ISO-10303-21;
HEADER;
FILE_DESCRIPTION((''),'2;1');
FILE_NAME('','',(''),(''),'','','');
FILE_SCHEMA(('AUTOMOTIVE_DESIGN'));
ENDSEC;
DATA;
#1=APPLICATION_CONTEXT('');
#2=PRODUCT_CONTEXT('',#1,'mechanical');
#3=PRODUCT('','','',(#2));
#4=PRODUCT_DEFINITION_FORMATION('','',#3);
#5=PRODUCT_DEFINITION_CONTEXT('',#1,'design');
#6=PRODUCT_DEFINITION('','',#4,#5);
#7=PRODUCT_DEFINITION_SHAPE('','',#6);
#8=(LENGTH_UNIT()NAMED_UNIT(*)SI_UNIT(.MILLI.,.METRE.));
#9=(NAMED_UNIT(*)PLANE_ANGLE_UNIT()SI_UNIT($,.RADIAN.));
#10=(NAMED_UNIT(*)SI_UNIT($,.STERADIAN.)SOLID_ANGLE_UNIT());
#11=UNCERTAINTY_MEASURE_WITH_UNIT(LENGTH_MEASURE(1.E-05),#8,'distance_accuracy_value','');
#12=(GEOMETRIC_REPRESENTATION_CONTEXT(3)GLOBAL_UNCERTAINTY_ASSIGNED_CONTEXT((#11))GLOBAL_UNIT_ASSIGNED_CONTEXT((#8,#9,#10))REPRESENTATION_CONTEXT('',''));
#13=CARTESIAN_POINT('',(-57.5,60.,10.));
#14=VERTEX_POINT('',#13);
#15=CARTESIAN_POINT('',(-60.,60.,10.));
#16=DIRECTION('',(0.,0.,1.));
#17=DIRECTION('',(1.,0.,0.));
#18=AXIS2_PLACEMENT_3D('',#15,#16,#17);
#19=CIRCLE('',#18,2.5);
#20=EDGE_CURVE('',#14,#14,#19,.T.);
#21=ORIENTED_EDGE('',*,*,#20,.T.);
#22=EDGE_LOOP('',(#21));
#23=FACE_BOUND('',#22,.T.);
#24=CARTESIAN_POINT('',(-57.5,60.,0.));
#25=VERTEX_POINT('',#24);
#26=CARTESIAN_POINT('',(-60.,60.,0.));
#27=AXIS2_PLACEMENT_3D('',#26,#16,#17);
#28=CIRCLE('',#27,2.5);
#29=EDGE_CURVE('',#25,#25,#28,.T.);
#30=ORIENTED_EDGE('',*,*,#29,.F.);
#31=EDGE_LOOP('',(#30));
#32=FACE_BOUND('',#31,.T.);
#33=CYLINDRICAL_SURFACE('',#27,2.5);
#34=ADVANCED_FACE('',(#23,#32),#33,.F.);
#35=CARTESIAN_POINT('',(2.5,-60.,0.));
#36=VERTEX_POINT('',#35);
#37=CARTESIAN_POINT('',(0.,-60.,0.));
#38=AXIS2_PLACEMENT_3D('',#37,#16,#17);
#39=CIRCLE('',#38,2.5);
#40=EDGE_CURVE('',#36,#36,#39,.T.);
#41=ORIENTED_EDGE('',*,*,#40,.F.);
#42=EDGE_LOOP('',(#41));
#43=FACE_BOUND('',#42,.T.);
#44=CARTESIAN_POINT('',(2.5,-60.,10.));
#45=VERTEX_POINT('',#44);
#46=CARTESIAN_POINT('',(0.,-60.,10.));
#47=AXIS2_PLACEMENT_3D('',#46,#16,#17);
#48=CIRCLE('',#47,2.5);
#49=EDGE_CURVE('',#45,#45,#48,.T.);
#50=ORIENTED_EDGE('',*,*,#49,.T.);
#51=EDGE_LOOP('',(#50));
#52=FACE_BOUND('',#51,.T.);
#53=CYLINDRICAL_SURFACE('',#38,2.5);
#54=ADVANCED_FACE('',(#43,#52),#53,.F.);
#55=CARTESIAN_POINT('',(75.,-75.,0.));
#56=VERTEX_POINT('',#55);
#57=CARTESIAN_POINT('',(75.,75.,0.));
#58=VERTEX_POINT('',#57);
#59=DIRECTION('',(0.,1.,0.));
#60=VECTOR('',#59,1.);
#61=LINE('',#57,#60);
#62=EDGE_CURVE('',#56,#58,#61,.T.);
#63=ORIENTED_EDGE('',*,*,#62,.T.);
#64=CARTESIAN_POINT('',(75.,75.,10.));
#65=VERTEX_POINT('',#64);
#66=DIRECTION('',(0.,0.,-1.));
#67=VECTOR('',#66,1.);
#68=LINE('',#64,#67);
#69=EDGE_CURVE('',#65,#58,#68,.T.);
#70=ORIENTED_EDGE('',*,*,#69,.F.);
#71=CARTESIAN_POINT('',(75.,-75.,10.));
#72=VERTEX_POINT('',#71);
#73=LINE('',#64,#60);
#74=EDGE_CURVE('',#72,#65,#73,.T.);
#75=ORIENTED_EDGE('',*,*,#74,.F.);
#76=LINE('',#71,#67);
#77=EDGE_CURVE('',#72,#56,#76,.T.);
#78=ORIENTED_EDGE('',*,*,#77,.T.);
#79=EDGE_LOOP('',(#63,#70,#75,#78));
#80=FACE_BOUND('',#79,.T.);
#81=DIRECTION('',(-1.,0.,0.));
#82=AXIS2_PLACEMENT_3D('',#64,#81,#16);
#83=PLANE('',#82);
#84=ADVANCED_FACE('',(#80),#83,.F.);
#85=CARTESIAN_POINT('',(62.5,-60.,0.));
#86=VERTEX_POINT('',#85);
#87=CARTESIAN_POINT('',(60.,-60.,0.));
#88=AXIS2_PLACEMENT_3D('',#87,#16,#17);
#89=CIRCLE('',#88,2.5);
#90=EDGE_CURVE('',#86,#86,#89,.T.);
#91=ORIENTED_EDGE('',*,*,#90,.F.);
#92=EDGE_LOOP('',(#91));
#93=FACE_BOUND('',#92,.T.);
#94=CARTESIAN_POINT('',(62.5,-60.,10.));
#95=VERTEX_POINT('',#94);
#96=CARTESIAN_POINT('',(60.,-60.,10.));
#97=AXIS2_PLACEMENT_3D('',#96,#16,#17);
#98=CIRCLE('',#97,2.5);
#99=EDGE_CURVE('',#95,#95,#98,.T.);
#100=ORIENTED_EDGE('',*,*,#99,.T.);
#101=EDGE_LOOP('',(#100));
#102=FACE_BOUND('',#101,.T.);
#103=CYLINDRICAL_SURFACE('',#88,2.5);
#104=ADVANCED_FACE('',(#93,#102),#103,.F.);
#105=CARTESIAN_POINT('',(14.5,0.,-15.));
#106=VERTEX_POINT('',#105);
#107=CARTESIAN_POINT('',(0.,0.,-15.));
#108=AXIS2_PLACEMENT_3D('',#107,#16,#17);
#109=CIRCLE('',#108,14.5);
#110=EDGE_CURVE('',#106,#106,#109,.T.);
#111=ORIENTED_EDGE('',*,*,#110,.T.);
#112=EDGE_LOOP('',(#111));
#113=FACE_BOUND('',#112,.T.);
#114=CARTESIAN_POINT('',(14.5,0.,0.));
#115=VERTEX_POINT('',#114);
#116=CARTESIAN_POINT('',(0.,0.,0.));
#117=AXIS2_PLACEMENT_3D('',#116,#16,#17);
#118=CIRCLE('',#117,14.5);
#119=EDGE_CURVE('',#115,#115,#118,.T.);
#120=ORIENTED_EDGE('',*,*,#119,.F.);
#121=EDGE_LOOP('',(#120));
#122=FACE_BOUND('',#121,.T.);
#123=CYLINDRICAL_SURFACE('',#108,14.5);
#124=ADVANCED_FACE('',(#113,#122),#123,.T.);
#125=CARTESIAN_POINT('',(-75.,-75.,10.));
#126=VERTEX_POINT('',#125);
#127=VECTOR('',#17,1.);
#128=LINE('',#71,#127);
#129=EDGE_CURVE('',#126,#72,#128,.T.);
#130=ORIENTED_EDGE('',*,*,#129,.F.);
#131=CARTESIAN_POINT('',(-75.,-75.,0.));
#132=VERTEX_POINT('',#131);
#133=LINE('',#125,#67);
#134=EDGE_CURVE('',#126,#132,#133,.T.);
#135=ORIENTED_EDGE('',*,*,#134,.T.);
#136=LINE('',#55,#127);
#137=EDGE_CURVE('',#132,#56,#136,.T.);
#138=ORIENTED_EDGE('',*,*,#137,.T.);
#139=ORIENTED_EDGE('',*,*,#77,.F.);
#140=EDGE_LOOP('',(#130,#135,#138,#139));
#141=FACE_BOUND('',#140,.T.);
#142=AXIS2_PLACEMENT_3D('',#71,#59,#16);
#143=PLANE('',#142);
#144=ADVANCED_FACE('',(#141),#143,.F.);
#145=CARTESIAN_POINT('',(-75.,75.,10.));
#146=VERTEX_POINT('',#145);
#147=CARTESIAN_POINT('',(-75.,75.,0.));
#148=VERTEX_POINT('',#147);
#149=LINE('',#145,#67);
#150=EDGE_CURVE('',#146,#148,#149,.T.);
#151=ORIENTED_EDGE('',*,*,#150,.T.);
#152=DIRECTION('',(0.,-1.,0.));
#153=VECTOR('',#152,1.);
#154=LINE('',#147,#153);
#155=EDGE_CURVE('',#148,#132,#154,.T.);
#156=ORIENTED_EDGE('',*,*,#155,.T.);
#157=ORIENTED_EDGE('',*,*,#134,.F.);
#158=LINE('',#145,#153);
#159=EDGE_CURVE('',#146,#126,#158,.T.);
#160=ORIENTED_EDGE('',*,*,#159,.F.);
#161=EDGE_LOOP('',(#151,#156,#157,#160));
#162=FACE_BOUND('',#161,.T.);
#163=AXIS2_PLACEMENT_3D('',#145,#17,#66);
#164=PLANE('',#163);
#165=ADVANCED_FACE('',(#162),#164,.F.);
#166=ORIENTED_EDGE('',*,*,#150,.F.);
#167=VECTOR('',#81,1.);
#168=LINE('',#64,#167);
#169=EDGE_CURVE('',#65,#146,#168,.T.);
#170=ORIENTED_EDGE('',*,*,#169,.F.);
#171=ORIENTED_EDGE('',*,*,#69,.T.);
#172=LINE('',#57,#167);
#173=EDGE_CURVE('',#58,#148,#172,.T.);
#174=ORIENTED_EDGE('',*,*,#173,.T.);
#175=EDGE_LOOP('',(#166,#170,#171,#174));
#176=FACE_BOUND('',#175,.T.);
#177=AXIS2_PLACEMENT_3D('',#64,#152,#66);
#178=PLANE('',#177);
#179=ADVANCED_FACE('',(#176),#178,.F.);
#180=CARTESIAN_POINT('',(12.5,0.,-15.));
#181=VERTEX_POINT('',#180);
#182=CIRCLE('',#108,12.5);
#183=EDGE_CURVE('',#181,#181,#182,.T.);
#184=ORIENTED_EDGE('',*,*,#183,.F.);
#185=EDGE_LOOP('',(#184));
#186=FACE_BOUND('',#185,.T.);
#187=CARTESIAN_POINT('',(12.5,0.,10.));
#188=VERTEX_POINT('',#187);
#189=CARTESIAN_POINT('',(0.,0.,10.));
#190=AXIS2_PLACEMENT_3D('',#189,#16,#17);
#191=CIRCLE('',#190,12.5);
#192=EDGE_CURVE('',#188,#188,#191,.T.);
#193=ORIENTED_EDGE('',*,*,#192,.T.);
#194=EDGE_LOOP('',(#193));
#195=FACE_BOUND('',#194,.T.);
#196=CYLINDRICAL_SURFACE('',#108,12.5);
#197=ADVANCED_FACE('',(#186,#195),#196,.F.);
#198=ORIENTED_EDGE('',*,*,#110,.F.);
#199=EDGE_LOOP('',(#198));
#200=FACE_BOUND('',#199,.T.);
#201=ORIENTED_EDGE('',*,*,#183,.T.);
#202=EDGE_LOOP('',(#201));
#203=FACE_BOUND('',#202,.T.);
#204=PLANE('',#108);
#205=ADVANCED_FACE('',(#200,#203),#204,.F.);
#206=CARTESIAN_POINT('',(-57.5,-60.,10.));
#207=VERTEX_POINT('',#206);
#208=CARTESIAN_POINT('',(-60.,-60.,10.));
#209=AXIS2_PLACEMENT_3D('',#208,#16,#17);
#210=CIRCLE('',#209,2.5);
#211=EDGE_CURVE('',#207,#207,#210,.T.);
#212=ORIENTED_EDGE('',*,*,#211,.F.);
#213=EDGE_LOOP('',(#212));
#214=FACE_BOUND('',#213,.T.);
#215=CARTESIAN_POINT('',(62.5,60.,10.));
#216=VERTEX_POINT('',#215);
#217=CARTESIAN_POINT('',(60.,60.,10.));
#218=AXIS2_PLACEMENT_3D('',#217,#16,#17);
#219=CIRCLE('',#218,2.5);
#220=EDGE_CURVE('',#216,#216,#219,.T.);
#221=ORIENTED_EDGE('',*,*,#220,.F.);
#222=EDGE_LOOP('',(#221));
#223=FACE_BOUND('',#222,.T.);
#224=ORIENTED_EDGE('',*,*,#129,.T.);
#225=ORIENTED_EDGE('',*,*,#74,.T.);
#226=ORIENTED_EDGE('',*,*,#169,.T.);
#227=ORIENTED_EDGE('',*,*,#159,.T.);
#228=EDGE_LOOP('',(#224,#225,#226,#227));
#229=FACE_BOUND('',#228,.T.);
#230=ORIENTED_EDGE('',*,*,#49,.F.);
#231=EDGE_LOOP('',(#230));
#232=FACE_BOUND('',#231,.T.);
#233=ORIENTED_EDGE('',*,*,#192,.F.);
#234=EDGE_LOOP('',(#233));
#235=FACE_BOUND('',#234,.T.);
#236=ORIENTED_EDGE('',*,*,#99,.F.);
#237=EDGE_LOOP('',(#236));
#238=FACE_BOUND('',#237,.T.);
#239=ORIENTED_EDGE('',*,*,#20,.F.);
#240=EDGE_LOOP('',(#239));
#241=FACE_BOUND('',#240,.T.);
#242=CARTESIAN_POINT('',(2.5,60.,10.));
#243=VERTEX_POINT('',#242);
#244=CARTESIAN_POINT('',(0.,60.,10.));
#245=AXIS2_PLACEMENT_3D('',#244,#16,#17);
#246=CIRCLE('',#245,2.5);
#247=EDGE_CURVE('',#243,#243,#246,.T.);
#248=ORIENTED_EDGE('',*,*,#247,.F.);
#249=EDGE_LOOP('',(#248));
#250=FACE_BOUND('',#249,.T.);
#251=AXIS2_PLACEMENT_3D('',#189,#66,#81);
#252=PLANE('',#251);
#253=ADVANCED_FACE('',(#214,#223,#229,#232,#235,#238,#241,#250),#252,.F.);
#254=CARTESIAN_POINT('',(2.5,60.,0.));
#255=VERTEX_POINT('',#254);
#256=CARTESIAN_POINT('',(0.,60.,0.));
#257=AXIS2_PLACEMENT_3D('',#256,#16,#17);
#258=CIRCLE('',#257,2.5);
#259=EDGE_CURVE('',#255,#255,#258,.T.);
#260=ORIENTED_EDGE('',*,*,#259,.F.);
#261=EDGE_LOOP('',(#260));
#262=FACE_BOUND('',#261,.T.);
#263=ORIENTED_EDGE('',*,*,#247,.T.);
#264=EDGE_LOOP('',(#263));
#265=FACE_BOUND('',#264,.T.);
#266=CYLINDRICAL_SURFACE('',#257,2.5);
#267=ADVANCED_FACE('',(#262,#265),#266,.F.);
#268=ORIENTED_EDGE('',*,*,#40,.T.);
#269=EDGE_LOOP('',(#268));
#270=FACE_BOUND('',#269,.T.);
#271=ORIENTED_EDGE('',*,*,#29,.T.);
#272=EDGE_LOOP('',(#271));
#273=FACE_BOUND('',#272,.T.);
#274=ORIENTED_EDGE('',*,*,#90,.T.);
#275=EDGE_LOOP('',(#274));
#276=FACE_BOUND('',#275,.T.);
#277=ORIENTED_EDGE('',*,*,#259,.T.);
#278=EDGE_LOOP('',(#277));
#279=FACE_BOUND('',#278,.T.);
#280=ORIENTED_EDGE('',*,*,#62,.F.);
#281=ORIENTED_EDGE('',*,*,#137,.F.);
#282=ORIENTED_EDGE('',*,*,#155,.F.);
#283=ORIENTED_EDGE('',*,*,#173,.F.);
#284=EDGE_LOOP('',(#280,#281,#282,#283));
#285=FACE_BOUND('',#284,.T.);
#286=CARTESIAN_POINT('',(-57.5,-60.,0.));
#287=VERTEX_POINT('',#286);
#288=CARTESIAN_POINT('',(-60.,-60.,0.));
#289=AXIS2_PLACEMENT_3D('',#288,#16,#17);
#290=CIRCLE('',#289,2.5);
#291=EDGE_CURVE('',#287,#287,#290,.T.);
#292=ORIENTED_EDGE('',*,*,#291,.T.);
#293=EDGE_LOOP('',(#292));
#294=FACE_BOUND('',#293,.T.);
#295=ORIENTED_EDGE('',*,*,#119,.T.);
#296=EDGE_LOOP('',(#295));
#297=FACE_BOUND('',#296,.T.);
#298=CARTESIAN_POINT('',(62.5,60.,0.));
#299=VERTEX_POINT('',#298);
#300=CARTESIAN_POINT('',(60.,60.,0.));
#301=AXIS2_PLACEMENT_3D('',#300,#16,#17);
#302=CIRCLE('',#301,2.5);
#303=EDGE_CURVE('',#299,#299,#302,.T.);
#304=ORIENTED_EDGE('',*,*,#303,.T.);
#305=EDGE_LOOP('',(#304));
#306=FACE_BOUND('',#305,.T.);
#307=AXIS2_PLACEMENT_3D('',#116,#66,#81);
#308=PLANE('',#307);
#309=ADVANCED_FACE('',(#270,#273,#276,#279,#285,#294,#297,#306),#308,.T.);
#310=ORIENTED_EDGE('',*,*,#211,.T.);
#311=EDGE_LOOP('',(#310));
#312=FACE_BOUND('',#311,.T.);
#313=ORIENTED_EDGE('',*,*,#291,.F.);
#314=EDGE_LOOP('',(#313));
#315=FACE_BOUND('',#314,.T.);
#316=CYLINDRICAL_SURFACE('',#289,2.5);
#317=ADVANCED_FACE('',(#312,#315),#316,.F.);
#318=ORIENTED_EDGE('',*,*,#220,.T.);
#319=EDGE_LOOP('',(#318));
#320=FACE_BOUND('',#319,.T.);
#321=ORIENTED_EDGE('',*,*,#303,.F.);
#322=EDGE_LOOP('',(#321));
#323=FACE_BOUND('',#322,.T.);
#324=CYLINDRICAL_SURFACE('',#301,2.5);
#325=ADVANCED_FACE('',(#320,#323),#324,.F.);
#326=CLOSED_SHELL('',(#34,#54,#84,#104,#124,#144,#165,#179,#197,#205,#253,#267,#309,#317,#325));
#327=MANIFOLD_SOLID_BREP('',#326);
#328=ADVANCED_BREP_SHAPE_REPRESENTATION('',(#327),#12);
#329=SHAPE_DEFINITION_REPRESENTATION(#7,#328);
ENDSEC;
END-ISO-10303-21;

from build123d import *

# Parameters (mm, degrees)
SKETCH_1_R          = 14.5
SKETCH_1_R_2        = 12.5
EXTRUDE_1_DEPTH     = 15
EXTRUDE_START       = 10
SKETCH_1_3_W        = 150
SKETCH_1_3_H        = 150
SKETCH_1_3_R        = 12.5
EXTRUDE_1_2_DEPTH   = 10
SKETCH_2_R          = 2.5
CUT_EXTRUDE_1_DEPTH = 10


with BuildPart() as part:
    # 草图1 → Extrude 1 (new body)
    with BuildSketch(Plane.XY):
        Circle(SKETCH_1_R)
        Circle(SKETCH_1_R_2, mode=Mode.SUBTRACT)
    extrude(amount=-EXTRUDE_1_DEPTH)

    # 草图1<3> → Extrude 1 2 (add)
    with BuildSketch(Plane.XY.offset(EXTRUDE_START)):
        Rectangle(SKETCH_1_3_W, SKETCH_1_3_H)
        Circle(SKETCH_1_3_R, mode=Mode.SUBTRACT)
    extrude(amount=-EXTRUDE_1_2_DEPTH)

    # 草图2 → 切除-拉伸1 (cut)
    with BuildSketch(Plane.XY.offset(10)):
        with Locations((-60, 60)):
            Circle(SKETCH_2_R)
        with Locations((0, 60)):
            Circle(SKETCH_2_R)
        with Locations((60, 60)):
            Circle(SKETCH_2_R)
        with Locations((60, -60)):
            Circle(SKETCH_2_R)
        with Locations((0, -60)):
            Circle(SKETCH_2_R)
        with Locations((-60, -60)):
            Circle(SKETCH_2_R)
    extrude(amount=-CUT_EXTRUDE_1_DEPTH, mode=Mode.SUBTRACT)


solid = part.part
